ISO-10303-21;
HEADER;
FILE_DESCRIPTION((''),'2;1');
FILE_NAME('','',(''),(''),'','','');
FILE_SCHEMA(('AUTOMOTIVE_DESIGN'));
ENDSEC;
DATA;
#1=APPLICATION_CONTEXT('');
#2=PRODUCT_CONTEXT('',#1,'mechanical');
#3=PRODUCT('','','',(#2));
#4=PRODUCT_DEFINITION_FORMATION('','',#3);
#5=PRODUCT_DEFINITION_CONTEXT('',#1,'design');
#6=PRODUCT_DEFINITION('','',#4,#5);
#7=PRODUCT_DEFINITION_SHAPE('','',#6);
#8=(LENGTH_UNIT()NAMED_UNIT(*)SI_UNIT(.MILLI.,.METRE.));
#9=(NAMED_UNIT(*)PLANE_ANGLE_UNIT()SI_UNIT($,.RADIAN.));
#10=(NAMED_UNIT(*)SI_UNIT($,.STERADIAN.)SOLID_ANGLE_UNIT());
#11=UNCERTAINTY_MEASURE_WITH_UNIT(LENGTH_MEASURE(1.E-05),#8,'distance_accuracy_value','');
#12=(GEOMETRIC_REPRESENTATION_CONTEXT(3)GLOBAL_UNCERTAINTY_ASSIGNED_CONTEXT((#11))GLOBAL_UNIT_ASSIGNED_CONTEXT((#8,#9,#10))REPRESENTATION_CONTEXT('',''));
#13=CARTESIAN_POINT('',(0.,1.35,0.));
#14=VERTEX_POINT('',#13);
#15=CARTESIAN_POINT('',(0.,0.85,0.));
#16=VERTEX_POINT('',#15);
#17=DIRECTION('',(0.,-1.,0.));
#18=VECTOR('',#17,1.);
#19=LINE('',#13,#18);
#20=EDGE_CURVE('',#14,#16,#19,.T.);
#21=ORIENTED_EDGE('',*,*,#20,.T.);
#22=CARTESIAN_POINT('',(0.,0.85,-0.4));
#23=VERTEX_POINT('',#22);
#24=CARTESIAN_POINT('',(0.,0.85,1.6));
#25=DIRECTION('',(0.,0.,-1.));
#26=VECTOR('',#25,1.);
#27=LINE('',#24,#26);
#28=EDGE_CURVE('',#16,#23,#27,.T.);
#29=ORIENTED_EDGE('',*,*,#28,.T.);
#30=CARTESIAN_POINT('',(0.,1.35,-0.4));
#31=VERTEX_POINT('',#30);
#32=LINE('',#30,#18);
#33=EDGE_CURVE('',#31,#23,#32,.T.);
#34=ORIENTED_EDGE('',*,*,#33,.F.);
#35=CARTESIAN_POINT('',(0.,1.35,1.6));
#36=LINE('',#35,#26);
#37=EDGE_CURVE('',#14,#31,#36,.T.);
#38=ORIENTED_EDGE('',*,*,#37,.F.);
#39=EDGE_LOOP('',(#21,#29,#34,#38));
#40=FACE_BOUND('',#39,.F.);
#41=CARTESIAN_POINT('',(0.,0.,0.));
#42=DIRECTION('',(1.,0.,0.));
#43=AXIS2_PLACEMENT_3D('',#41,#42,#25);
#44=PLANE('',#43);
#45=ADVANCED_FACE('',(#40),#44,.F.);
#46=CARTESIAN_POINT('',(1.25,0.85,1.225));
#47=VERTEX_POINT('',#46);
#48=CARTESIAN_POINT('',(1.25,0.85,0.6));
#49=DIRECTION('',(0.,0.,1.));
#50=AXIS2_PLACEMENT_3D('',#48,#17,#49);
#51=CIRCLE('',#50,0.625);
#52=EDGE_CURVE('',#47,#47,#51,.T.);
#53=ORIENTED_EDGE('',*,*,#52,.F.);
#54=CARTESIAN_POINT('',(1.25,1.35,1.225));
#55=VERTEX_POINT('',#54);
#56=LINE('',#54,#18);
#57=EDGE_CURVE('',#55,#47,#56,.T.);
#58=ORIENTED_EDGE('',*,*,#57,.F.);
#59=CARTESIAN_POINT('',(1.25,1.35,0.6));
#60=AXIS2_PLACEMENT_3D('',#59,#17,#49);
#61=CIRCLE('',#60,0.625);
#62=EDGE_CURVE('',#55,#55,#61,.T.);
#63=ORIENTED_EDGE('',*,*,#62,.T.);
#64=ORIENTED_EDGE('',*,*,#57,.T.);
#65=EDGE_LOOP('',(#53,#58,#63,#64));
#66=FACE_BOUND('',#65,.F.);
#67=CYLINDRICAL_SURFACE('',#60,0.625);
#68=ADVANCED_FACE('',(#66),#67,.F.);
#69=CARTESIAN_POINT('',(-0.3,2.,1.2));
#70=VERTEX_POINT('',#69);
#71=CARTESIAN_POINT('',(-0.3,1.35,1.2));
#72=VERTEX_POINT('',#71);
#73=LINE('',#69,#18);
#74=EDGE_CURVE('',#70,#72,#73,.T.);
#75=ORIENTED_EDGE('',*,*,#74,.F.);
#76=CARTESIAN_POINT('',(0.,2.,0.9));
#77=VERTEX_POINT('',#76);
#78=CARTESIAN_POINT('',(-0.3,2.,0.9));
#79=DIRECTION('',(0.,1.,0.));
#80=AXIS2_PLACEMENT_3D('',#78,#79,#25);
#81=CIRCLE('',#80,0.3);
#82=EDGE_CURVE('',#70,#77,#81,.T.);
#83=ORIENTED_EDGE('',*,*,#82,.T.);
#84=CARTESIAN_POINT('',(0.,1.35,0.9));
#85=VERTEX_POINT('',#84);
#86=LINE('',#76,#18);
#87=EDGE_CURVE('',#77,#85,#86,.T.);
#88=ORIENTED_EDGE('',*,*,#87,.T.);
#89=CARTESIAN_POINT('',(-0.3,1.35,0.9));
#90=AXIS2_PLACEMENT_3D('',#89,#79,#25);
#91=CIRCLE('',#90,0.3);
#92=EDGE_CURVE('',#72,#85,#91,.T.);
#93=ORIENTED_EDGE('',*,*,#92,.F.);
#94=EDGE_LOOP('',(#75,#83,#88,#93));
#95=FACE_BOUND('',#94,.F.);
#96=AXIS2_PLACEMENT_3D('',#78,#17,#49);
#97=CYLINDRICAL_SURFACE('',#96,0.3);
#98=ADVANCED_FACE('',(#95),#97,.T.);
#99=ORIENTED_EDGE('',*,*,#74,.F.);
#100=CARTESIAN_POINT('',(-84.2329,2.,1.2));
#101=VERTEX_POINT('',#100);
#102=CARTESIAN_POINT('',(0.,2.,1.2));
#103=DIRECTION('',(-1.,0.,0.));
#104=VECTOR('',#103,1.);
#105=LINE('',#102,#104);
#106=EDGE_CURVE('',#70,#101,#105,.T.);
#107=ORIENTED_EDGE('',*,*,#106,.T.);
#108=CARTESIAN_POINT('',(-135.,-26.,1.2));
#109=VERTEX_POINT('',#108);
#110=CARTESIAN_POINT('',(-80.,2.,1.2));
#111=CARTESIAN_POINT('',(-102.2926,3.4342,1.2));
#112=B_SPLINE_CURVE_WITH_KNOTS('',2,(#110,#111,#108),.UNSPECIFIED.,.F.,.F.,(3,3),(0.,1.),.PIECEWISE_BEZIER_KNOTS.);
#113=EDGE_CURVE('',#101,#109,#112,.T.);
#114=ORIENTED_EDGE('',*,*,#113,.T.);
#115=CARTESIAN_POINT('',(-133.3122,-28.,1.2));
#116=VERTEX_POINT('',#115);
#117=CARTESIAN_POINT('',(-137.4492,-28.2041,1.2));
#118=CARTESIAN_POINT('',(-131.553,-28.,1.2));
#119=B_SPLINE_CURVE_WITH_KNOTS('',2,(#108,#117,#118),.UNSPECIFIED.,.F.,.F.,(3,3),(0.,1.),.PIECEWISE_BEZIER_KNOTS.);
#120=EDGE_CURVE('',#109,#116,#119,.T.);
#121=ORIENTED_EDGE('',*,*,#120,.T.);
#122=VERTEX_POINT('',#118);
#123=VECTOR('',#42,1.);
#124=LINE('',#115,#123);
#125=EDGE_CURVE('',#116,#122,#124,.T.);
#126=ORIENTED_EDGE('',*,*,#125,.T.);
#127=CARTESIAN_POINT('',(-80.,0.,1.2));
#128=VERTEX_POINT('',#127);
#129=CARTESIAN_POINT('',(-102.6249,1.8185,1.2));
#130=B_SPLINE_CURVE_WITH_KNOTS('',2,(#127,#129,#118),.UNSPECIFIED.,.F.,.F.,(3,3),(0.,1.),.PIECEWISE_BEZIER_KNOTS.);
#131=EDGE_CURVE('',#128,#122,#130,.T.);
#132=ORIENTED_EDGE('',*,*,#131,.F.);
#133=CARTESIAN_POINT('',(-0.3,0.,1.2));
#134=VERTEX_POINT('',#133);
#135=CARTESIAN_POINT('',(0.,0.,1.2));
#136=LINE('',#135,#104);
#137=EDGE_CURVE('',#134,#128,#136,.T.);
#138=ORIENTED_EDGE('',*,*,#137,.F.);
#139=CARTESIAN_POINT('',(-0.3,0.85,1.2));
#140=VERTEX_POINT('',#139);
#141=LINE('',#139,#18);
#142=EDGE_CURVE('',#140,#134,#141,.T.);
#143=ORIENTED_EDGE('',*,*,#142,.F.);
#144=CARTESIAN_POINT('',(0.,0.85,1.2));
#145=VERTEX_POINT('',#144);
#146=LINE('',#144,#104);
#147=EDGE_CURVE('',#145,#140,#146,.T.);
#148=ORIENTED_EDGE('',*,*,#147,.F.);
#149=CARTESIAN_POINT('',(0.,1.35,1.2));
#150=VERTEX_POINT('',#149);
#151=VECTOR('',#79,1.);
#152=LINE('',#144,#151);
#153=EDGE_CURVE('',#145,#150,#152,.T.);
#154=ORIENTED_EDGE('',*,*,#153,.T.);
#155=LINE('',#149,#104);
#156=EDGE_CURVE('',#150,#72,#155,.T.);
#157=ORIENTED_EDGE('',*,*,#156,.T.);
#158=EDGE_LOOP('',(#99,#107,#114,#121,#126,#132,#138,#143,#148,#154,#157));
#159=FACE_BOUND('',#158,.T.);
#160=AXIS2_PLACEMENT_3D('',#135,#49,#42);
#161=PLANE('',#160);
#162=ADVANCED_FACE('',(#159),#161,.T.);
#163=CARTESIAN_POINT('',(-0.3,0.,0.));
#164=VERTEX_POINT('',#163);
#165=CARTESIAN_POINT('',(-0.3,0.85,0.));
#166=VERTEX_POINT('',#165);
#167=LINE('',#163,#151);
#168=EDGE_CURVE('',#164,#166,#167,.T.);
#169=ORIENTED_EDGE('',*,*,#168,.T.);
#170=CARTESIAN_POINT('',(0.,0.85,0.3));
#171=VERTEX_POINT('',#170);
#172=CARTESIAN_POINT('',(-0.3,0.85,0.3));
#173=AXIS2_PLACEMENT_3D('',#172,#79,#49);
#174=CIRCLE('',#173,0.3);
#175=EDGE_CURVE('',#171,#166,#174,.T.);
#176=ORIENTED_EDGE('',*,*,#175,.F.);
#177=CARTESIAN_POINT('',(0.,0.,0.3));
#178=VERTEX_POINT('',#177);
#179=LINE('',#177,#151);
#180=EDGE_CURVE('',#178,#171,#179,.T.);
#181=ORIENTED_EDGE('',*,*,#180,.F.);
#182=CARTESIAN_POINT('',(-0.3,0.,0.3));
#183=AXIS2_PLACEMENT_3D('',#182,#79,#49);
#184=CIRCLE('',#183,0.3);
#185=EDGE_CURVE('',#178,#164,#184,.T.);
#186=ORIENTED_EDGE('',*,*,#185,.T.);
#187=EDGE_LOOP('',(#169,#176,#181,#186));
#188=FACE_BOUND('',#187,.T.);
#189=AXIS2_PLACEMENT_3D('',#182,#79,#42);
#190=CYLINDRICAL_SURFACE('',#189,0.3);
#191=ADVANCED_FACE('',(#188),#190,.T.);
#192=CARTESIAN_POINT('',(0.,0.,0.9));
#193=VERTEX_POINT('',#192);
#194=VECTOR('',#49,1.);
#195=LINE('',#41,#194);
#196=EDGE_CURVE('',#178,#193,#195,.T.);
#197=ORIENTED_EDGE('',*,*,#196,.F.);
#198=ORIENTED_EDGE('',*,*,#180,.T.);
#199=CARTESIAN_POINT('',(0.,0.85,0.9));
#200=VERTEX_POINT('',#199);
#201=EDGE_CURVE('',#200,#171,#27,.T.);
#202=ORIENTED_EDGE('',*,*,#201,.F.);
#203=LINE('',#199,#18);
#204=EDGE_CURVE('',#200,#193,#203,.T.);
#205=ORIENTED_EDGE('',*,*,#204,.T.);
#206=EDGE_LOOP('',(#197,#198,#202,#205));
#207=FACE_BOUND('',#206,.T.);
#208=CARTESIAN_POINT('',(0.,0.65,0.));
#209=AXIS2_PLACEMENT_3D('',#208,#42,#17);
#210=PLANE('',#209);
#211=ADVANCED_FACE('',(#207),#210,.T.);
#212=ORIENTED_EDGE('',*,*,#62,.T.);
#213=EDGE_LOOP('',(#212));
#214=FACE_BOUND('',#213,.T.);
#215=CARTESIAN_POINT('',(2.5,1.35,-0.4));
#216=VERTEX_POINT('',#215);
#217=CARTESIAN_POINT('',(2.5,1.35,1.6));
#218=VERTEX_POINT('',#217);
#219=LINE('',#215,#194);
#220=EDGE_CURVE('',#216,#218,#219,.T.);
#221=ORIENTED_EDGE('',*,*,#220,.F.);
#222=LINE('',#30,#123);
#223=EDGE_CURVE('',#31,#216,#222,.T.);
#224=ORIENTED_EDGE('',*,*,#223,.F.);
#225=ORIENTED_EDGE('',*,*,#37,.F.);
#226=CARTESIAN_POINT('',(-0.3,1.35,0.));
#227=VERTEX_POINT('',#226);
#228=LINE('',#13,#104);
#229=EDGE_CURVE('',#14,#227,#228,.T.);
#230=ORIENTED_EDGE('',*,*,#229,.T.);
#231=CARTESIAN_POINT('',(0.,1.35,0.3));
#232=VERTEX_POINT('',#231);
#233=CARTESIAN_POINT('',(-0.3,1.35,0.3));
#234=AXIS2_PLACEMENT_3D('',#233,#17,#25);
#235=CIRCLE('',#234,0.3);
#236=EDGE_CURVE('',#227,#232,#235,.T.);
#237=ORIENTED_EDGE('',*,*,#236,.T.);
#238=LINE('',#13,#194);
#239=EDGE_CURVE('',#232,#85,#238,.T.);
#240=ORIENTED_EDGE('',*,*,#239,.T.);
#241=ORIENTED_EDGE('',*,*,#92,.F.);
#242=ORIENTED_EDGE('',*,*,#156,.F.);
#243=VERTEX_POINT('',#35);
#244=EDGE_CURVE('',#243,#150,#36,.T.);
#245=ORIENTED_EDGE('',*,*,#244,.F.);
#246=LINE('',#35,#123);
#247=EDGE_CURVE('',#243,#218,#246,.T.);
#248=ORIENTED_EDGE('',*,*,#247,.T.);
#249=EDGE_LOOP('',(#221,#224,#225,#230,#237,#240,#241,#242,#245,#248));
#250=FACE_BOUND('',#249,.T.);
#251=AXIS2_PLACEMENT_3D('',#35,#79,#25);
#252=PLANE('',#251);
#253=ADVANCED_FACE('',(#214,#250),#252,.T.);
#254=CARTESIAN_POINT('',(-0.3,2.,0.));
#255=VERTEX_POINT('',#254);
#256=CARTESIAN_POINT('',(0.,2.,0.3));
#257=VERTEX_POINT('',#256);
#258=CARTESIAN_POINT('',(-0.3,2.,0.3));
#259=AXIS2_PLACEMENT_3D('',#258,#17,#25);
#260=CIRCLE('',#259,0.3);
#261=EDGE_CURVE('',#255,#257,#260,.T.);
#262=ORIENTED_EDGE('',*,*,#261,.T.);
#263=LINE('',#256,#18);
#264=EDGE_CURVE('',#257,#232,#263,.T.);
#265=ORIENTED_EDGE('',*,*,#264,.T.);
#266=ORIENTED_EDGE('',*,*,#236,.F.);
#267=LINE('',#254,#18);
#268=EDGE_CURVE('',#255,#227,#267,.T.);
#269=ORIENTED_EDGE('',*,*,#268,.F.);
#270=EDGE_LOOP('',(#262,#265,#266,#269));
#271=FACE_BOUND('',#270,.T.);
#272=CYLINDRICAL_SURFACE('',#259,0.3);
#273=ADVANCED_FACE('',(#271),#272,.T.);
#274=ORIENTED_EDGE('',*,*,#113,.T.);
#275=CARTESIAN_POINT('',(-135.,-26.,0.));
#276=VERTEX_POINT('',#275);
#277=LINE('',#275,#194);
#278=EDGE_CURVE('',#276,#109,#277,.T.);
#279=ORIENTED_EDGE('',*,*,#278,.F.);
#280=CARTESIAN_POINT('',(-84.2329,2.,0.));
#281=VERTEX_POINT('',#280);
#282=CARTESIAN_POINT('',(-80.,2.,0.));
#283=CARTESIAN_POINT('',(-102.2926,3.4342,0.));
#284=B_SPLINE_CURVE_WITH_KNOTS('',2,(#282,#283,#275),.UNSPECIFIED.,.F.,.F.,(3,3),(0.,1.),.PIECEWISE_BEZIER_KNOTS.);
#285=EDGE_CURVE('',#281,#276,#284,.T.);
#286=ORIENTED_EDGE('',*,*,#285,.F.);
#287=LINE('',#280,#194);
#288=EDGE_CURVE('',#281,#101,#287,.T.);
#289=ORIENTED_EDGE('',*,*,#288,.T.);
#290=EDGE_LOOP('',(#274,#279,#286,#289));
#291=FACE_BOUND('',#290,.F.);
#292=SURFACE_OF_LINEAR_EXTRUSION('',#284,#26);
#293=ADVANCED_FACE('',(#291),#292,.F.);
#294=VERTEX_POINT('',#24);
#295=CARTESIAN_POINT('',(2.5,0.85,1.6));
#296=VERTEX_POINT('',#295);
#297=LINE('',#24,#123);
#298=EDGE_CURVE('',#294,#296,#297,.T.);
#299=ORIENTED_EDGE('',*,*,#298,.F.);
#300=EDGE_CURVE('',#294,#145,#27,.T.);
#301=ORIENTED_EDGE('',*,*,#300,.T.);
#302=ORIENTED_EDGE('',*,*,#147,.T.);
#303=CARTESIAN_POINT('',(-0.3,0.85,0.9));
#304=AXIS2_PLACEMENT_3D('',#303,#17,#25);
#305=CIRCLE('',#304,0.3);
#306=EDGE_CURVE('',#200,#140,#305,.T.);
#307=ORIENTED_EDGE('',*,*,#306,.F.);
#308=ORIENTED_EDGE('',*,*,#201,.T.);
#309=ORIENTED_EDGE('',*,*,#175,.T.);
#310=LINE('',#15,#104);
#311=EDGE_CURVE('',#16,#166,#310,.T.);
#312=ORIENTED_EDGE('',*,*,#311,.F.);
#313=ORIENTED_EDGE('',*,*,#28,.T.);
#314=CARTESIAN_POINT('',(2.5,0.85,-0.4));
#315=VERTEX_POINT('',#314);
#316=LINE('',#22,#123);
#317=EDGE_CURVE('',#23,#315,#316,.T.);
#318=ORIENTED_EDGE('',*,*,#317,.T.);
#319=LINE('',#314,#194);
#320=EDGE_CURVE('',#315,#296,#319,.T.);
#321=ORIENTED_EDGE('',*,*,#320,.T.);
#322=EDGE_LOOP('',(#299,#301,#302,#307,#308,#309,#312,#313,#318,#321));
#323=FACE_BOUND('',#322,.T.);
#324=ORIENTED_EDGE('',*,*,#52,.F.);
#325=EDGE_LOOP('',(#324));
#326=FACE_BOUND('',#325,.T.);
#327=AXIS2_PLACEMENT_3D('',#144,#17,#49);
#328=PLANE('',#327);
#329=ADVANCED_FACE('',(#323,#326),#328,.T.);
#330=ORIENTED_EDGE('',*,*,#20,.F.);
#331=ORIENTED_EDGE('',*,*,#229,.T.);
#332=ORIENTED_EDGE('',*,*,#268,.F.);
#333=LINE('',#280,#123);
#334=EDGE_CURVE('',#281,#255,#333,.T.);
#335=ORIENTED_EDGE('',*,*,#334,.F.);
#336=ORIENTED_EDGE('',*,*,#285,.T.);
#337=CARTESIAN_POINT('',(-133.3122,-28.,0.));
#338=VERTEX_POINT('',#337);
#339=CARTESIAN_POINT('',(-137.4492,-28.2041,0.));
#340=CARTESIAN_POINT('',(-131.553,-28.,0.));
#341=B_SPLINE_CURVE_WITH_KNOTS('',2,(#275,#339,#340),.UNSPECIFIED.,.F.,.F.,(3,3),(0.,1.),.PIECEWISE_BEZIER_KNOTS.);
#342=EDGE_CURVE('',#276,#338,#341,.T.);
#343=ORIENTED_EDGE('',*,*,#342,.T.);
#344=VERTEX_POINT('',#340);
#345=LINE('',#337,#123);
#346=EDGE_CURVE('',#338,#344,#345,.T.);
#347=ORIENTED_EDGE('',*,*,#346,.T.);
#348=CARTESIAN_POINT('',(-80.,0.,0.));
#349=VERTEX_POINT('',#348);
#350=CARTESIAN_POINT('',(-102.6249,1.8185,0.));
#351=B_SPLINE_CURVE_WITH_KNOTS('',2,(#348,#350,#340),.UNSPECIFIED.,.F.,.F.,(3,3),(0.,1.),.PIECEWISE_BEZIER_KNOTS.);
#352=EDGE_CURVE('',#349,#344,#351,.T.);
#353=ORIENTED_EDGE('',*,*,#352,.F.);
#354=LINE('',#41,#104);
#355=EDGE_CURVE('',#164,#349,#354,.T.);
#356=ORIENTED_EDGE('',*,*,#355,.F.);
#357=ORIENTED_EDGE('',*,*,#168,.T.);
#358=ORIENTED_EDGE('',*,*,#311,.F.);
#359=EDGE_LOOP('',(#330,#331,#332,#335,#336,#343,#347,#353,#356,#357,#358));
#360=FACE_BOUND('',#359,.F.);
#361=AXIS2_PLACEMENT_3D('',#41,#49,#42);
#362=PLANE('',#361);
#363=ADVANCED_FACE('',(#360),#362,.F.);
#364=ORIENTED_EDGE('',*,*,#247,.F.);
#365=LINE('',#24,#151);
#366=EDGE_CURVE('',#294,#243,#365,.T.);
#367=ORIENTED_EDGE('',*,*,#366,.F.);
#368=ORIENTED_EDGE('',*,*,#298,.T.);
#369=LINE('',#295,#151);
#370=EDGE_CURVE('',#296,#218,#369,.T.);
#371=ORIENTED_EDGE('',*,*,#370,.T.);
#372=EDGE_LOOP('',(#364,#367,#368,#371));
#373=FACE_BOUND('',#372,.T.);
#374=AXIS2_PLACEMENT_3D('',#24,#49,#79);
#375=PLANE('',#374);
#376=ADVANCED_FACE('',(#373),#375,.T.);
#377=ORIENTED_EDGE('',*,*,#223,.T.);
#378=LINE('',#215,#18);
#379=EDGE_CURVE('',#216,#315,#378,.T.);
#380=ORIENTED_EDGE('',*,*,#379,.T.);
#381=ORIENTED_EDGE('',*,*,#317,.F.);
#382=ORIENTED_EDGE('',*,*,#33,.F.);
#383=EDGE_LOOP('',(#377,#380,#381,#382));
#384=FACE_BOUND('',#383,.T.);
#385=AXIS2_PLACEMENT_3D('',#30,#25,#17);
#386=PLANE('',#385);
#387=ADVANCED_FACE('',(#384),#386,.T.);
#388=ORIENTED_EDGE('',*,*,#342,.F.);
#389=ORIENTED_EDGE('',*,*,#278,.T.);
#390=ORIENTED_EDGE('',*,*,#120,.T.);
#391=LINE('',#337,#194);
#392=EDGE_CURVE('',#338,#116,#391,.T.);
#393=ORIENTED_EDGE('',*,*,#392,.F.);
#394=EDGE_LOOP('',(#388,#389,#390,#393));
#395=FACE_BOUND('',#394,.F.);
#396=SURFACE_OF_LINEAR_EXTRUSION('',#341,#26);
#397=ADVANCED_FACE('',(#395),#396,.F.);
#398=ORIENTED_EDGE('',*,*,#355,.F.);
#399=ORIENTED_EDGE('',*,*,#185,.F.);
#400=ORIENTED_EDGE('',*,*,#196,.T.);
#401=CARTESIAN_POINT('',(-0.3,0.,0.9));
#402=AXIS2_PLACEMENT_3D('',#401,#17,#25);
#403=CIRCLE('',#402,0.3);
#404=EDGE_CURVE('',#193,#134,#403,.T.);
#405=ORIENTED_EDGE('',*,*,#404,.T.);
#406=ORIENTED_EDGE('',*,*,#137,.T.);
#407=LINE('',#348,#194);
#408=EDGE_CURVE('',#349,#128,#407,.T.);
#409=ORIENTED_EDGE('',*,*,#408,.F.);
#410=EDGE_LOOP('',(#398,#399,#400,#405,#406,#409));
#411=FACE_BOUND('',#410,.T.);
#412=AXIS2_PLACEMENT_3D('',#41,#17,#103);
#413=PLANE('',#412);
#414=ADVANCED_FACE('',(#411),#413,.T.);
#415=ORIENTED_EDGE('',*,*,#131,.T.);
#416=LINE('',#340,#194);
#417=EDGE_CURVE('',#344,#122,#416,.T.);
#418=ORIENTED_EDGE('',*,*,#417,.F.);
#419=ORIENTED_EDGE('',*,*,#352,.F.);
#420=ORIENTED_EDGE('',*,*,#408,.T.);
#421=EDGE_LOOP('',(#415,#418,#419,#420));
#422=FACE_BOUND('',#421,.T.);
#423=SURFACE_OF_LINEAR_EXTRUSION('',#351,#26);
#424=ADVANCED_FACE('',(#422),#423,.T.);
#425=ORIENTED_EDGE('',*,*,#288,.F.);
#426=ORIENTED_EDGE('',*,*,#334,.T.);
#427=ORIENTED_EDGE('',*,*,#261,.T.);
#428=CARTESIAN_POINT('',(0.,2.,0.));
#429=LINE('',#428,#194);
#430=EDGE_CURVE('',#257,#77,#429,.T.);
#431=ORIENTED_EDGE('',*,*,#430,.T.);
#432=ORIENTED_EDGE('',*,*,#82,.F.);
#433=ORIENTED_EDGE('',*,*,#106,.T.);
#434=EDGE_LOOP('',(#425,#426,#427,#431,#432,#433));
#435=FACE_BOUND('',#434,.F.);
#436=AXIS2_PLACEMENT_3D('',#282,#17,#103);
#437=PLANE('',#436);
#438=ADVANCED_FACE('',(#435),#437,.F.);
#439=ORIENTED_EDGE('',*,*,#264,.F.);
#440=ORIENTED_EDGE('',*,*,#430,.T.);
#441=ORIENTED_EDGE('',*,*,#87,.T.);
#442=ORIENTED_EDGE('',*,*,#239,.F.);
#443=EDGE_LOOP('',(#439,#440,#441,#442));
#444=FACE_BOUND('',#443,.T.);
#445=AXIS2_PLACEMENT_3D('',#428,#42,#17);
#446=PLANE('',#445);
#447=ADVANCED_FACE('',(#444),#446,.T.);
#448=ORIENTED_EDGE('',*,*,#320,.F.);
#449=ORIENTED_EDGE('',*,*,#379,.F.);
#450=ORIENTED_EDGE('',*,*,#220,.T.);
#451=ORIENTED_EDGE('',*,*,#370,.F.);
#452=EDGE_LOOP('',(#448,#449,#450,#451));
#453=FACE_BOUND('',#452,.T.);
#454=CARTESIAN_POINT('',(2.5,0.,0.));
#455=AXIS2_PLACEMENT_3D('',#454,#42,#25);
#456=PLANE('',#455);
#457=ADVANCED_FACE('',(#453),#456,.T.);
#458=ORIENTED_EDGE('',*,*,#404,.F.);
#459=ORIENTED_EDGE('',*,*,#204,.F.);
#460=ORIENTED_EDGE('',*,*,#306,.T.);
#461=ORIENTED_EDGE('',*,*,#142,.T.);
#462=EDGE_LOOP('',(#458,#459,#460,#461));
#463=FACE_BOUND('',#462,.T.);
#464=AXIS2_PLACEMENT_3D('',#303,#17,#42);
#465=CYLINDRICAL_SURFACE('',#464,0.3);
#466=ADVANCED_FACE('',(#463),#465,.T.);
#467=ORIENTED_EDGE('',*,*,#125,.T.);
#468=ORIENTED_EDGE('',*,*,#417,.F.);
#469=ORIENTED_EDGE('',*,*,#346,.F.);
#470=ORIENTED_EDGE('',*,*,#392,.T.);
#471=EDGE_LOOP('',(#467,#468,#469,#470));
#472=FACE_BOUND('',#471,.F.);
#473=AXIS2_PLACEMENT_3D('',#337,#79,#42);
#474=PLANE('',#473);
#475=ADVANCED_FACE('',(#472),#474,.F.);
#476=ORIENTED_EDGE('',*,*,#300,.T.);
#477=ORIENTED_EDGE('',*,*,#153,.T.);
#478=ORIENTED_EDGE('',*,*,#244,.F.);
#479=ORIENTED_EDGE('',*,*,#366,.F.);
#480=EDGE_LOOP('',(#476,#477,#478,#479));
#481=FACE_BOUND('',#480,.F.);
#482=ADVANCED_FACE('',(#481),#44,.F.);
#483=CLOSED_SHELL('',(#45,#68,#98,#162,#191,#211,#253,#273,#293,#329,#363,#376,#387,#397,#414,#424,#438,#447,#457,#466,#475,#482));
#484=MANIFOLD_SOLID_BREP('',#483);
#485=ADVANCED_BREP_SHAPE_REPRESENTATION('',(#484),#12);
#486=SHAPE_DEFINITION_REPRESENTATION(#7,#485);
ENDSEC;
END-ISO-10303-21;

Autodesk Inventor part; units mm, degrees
ref_plane "YZ Plane" through (0, 0, 0) normal (1, 0, 0) x (0, 1, 0)
ref_plane "XZ Plane" through (0, 0, 0) normal (0, 1, 0) x (-1, 0, 0)
ref_plane "XY Plane" through (0, 0, 0) normal (0, 0, 1) x (1, 0, 0)
sketch "Sketch1" plane through (0, 0, 0) normal (0, 0, 1) x (1, 0, 0)
  line L0 (0, 0) -> (-80, 0)
  line L1 (-80, 2) -> (0, 2)
  line L2 (0, 2) -> (0, 0)
  line L3 (-80, 2) -> (-84.2329, 2)
  line L4 (-133.3122, -28) -> (-131.553, -28)
  spline S0 degree 2 poles (-80, 0) (-102.6249, 1.8185) (-131.553, -28) knots 0 0 0 1 1 1
  spline S1 degree 2 poles (-80, 2) (-102.2926, 3.4342) (-135, -26) knots 0 0 0 1 1 1
  spline S2 degree 2 poles (-135, -26) (-137.4492, -28.2041) (-131.553, -28) knots 0 0 0 1 1 1
  line L5 (0, 1.35) -> (0, 1)
  line L6 (0, 0.65) -> (0, 1)
  point P0 (-99.9996, -4.0002)
  point P1 (-100, -1)
  point P2 (-100, -2)
  dimension "d1" = 2
extrude "Extrusion1" add sketch "Sketch1" along normal blind 1.2 contours L0 S0 L4 S2 S1 L3 L1 L2
sketch "Sketch2" plane through (0, 0, 0) normal (1, 0, 0) x (0, 0, -1)
  line L0 (-1.2, 0) -> (-1.2, 2) projected
  line L1 (0, 0) -> (0, 2) projected
  line L2 (0, 2) -> (-1.2, 2) projected
  line L3 (0.4, 0.85) -> (-1.6, 0.85)
  line L4 (-1.6, 0.85) -> (-1.6, 1.35)
  line L5 (-1.6, 1.35) -> (0.4, 1.35)
  line L6 (0.4, 1.35) -> (0.4, 0.85)
  line L7 (0.4, 0.85) -> (-1.6, 1.35) construction
  line L8 (-1.6, 0.85) -> (0.4, 1.35) construction
  point P0 (-0.6, 1.1)
  dimension "d12" = 2
  dimension "d13" = 0.5
extrude "Extrusion2" add sketch "Sketch2" along normal blind 2.5 contours L3 L4 L5 L0 | L0 L5 L1 L3 | L1 L5 L6 L3
sketch "Sketch3" plane through (0, 1.35, 0) normal (0, 1, 0) x (1, 0, 0)
  line L0 (0, 0) -> (0, -1.2) projected
  line L1 (0, 0.4) -> (2.5, 0.4) projected
  point P0 (1.25, -0.6)
hole "Hole1" at (1.25, 1.35, 0.6) direction (0, -1, 0) diameter 1.25 depth 0.7
fillet "Fillet1" radius 0.3 4 edges at (0, 1.675, 1.2) (0, 1.675, 0) (0, 0.425, 1.2) (0, 0.425, 0)
properties part number "brat bun ochelari" material "Iron, Cast"
